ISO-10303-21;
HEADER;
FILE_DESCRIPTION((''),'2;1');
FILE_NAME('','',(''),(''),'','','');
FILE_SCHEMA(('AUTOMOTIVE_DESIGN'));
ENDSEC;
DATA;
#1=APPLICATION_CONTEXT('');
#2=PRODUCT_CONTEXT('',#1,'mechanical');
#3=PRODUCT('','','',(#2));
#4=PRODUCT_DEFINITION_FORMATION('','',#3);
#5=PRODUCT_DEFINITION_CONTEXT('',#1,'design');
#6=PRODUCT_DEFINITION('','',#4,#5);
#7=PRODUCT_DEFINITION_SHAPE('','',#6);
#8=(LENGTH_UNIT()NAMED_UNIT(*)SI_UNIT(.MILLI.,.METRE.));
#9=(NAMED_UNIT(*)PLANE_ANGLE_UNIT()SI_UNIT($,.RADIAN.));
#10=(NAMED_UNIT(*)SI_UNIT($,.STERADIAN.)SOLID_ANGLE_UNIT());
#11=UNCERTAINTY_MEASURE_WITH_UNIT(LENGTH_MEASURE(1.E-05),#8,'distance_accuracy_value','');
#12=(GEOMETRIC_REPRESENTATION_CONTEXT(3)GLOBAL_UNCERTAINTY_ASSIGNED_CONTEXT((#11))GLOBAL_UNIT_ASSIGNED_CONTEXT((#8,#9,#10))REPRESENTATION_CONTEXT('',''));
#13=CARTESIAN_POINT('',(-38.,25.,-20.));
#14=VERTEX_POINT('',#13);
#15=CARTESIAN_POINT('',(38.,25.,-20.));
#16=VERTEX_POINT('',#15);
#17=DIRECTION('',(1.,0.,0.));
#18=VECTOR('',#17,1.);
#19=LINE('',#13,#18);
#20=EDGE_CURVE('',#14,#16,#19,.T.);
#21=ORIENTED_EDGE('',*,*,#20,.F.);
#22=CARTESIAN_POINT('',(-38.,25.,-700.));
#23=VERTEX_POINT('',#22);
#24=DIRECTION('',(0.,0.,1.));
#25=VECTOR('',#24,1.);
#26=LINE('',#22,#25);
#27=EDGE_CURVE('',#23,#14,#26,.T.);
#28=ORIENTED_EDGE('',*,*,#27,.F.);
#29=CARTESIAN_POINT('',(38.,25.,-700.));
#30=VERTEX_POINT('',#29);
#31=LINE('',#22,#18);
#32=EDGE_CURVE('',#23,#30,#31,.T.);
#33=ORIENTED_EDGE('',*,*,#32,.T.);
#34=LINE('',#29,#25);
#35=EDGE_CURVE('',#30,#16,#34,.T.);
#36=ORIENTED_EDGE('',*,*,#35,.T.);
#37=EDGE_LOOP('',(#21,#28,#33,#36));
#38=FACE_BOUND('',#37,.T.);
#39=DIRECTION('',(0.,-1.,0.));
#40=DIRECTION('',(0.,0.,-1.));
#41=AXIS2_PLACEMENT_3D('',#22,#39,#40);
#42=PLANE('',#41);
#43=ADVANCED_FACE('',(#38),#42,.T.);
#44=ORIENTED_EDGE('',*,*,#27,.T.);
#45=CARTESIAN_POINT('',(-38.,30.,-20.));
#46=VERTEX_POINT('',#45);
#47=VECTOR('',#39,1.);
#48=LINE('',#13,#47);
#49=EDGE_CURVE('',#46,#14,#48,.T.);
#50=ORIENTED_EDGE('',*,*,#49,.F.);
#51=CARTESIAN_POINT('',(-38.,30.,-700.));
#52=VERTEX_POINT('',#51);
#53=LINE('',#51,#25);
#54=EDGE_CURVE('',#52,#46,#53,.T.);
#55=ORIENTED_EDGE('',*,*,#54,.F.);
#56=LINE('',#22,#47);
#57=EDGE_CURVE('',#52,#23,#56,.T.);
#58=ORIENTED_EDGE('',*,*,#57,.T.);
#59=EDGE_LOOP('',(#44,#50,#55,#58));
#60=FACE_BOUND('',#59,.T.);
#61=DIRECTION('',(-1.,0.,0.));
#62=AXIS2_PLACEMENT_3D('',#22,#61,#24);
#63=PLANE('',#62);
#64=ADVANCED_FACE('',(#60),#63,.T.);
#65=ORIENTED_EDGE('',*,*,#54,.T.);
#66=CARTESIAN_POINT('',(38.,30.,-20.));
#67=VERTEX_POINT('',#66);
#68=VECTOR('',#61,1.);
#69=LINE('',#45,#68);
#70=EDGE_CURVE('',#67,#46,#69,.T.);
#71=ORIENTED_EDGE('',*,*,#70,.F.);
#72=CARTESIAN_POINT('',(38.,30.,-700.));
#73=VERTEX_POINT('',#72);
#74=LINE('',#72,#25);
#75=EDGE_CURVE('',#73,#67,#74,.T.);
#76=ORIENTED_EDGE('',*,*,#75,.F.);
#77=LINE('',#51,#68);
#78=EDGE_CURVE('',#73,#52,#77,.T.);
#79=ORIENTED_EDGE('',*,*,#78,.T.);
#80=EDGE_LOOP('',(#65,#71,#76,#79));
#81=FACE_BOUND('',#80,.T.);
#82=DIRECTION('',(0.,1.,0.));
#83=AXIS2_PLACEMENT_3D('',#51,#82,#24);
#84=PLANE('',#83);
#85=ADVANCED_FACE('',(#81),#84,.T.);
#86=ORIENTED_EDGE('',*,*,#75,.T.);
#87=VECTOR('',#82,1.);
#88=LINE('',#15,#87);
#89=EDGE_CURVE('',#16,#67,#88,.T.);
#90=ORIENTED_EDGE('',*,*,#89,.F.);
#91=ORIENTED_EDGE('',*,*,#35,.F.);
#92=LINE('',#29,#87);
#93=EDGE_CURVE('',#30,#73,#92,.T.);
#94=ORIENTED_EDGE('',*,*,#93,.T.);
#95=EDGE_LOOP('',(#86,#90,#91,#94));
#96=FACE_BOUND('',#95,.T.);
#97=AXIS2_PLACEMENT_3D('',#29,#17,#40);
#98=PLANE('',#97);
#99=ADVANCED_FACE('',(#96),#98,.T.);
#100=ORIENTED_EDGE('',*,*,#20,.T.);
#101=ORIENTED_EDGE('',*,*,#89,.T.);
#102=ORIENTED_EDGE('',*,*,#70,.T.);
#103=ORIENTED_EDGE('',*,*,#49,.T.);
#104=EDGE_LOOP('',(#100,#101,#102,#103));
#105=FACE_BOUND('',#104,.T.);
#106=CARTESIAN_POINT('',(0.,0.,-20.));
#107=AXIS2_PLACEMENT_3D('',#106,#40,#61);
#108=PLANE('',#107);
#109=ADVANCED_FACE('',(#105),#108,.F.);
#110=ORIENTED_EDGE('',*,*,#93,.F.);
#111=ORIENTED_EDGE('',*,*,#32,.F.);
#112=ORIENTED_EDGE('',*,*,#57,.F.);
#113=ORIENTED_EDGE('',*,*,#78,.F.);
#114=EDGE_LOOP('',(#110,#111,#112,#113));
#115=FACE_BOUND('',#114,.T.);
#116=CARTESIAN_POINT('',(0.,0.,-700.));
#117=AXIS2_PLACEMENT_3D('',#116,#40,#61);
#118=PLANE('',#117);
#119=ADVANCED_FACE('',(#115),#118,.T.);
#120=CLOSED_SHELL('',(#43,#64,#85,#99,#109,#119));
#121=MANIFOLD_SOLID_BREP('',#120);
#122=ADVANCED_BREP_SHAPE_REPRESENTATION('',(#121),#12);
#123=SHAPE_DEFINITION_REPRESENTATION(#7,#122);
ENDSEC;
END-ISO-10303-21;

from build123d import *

# Parameters (mm, degrees)
KAPYAG_TABAN_PLAKASI_KAPALI_1_START = -20
SKETCH1_W                           = 76
SKETCH1_H                           = 5
KAPYAG_TABAN_PLAKASI_KAPALI_1_DEPTH = 680


with BuildPart() as part:
    # Sketch1 → KAPYAG_taban_plakasi_kapali_1 (new body)
    with BuildSketch(Plane.XY.offset(KAPYAG_TABAN_PLAKASI_KAPALI_1_START)):
        with Locations((0, 27.5)):
            Rectangle(SKETCH1_W, SKETCH1_H)
    extrude(amount=-KAPYAG_TABAN_PLAKASI_KAPALI_1_DEPTH)


solid = part.part
